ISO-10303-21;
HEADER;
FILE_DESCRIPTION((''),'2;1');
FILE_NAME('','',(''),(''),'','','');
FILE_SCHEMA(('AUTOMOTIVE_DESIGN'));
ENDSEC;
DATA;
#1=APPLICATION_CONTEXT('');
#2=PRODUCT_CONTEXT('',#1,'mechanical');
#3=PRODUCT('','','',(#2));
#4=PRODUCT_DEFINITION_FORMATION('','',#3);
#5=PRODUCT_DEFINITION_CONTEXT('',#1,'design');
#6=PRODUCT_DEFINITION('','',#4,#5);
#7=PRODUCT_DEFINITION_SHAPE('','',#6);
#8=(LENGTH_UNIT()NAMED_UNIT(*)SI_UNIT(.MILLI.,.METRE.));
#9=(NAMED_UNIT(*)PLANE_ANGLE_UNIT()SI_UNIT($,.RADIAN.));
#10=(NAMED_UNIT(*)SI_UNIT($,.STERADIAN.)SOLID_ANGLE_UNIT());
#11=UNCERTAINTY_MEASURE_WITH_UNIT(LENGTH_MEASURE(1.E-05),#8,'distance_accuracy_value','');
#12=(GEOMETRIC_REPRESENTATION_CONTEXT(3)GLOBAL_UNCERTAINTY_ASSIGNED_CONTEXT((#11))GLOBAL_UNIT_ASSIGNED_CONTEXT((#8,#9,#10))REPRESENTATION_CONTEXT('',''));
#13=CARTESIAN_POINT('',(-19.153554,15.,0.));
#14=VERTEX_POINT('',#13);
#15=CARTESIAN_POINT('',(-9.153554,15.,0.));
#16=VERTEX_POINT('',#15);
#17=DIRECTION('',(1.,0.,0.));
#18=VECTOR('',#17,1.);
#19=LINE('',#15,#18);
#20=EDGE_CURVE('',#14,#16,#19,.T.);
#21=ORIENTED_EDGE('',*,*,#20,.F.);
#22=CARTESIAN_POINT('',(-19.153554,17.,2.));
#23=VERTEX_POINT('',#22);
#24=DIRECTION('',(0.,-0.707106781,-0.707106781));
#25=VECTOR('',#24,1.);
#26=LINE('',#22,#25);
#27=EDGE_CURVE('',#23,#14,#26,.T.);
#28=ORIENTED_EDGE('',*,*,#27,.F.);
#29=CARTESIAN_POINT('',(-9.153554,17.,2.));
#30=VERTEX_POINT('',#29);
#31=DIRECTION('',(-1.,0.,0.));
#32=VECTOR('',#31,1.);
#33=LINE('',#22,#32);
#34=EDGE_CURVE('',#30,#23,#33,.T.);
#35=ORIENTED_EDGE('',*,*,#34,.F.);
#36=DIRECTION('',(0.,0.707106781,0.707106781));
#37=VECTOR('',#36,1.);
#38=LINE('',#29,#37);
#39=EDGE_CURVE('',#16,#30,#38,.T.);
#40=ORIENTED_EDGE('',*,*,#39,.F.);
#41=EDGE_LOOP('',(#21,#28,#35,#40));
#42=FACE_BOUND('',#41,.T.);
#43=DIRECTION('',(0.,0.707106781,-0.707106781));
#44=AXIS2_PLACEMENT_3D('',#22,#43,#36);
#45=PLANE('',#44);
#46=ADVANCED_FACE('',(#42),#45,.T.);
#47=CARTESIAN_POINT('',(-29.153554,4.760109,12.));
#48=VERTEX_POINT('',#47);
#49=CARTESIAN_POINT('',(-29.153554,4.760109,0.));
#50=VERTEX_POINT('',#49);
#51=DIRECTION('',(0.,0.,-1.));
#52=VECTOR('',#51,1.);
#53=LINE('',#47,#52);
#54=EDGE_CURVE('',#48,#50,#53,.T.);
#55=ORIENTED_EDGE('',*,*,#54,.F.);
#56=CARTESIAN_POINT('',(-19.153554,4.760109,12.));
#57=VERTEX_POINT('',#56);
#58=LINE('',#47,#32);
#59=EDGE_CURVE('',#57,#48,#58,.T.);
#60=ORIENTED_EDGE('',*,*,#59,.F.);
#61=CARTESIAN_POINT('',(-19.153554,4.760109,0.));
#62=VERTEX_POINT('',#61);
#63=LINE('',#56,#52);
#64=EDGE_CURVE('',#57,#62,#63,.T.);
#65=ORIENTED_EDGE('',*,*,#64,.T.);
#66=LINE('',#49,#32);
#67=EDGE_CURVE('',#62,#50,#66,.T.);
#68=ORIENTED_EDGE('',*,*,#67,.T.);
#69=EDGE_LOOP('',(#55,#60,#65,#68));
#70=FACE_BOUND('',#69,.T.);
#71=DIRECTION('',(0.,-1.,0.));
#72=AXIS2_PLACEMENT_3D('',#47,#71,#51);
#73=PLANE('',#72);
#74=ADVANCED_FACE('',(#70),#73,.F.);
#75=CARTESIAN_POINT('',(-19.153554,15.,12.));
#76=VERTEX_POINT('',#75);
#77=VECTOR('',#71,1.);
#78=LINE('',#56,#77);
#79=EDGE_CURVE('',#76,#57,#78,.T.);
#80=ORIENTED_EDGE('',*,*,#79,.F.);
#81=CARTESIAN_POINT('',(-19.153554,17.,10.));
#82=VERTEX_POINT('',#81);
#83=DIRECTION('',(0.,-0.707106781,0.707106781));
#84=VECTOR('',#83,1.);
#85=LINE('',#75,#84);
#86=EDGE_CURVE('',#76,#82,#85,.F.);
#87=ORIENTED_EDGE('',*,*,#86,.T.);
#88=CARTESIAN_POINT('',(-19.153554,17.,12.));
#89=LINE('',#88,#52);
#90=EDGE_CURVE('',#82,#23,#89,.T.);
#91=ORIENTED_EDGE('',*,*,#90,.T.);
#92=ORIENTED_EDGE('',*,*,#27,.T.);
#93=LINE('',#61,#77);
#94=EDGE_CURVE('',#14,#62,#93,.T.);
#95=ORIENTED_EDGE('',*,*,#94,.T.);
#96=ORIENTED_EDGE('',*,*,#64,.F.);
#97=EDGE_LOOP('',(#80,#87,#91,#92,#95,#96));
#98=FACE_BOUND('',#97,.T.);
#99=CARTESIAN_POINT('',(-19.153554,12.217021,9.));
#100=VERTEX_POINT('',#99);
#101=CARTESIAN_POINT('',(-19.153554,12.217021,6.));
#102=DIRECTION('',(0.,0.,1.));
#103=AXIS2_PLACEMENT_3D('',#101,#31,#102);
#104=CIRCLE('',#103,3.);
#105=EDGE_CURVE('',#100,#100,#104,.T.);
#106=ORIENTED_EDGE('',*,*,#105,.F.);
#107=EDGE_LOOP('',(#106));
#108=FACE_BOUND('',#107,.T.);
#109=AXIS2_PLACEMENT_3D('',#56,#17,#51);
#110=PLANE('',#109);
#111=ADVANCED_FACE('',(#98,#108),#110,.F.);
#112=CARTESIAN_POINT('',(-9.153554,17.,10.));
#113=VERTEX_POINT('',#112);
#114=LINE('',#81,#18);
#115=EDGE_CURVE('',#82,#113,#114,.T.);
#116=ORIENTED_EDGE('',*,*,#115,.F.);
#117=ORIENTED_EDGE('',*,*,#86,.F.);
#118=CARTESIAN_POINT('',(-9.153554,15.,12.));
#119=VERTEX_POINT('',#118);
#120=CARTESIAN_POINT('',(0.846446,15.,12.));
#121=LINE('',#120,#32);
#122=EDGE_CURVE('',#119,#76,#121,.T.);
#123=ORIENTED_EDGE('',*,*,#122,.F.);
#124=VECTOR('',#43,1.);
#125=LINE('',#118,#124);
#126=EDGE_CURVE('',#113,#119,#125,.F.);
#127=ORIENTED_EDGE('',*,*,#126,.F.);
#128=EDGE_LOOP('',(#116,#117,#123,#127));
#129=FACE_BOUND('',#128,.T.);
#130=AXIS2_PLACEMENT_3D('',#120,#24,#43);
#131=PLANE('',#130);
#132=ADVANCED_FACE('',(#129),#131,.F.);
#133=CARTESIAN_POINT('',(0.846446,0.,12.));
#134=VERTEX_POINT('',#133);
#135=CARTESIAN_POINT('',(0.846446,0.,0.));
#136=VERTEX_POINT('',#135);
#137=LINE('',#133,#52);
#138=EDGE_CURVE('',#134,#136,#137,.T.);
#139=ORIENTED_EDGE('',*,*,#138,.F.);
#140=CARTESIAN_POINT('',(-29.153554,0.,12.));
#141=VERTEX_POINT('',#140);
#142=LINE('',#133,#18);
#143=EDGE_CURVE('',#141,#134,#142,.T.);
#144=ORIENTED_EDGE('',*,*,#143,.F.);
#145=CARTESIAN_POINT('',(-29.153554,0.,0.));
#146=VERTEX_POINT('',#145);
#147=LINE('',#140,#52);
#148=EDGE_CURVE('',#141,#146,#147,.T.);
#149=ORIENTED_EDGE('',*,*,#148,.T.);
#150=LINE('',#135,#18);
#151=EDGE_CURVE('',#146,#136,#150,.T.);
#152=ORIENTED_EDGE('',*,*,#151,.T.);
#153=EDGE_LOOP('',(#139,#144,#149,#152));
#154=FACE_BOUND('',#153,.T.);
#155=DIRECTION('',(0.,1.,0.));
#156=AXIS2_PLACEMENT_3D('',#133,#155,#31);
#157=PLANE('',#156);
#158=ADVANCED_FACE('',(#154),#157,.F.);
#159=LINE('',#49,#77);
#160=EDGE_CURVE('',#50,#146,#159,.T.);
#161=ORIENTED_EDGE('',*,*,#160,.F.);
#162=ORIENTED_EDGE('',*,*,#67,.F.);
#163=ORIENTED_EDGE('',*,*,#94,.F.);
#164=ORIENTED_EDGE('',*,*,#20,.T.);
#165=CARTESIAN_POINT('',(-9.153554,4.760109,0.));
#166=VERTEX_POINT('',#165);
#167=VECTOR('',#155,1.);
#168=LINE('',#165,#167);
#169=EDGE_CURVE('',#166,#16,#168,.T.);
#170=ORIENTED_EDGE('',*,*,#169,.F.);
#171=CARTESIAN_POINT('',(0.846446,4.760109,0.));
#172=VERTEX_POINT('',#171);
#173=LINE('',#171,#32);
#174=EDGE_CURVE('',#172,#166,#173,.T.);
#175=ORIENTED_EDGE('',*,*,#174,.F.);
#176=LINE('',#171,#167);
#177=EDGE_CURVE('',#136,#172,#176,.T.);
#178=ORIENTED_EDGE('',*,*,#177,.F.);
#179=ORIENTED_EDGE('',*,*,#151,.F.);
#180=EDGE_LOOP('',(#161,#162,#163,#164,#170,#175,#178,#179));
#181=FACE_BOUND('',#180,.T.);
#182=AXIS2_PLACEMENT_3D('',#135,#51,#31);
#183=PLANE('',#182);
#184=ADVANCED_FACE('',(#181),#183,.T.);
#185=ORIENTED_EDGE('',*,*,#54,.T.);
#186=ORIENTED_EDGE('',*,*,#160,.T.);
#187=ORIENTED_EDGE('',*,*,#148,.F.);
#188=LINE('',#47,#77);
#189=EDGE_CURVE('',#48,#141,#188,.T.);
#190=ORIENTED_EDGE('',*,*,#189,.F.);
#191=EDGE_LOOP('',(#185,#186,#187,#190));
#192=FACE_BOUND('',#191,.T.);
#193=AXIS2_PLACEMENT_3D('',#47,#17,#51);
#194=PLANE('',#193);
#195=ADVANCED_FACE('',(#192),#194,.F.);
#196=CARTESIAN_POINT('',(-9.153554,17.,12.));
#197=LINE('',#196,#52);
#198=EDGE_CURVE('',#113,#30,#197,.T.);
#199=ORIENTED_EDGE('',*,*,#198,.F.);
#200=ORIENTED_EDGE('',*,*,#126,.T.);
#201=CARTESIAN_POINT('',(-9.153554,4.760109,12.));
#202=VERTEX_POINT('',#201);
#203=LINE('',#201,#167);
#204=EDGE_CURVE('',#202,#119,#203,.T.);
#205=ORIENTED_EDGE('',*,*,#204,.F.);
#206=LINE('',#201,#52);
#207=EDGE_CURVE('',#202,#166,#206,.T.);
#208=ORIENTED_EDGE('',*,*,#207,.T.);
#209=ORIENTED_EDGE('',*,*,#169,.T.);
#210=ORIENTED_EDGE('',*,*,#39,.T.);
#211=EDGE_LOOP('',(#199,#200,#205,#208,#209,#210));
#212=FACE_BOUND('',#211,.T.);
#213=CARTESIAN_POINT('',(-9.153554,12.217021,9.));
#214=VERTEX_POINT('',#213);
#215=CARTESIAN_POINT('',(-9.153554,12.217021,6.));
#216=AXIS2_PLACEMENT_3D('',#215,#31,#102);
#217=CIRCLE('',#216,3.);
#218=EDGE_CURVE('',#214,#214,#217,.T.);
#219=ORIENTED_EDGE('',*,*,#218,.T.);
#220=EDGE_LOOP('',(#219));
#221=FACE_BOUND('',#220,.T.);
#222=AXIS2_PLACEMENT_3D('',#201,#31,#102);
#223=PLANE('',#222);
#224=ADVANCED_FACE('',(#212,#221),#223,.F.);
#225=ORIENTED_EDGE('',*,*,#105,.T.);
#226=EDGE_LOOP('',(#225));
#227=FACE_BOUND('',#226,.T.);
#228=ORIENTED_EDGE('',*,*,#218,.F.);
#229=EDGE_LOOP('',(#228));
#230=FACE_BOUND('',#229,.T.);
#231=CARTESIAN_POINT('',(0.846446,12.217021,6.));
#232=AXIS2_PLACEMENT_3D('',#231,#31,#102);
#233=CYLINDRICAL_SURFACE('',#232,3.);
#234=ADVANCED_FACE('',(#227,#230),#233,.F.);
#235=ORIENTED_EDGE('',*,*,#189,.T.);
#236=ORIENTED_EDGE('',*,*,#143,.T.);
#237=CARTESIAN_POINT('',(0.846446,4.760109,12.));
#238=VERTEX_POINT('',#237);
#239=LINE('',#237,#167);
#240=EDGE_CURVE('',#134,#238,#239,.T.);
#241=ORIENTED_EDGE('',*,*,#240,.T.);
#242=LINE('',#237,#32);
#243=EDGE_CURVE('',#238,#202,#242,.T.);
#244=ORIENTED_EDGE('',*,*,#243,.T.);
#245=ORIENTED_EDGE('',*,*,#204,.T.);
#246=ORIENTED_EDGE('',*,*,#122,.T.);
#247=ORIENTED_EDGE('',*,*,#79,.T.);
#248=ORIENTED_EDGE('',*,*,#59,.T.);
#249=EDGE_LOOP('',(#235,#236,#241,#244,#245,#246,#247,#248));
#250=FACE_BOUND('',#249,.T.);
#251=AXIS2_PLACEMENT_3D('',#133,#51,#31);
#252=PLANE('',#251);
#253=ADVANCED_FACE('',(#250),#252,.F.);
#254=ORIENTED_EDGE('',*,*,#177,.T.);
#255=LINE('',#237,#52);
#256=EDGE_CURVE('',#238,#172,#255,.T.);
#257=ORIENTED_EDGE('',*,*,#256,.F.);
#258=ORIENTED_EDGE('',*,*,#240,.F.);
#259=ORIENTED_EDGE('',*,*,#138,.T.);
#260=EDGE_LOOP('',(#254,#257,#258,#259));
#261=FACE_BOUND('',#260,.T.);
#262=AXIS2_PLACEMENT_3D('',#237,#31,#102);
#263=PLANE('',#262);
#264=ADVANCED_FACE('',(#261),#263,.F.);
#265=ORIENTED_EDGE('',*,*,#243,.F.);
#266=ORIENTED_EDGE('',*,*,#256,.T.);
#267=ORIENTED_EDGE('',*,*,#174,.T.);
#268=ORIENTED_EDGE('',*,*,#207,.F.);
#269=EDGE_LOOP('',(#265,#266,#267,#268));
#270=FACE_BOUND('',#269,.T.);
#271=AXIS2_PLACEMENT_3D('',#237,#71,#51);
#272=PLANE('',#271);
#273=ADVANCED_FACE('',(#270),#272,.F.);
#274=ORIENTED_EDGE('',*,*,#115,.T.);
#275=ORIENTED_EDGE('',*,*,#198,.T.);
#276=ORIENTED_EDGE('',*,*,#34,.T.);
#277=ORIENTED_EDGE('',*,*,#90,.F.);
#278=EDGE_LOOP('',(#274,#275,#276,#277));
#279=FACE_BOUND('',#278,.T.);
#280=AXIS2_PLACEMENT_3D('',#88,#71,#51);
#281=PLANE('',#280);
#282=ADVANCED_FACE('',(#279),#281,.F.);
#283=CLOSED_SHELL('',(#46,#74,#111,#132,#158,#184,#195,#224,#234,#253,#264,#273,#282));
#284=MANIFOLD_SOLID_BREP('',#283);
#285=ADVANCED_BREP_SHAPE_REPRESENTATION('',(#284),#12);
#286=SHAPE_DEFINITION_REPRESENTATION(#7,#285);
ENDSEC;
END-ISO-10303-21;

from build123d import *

# Parameters (mm, degrees)
EXTRUDE_2_DEPTH     = 12
CHAMFER_1_SIZE      = 2
SKETCH_4_R          = 3
CUT_EXTRUDE_4_DEPTH = 29.861739379


with BuildPart() as part:
    # Эскиз2 → Вытянуть2 (new body)
    with BuildSketch(Plane.XY):
        Polygon((0.846446281, 0), (-29.153553719, 0), (-29.153553719, 4.760108812), (-19.153553719, 4.760108812), (-19.153553719, 17), (-9.153553719, 17), (-9.153553719, 4.760108812), (0.846446281, 4.760108812), align=None)
    extrude(amount=EXTRUDE_2_DEPTH)

    # Фаска1
    chamfer_1_edges = [part.edges().sort_by_distance(p)[0] for p in [
        (-14.153553719, 17, 12),
        (-14.153553719, 17, 0),
    ]]
    chamfer(chamfer_1_edges, length=CHAMFER_1_SIZE)

    # Эскиз4 → Вытянуть4 (cut, through all)
    with BuildSketch(Plane.ZY.offset(19.153553719)):
        with Locations((6, 12.217021039)):
            Circle(SKETCH_4_R)
    extrude(amount=-CUT_EXTRUDE_4_DEPTH, mode=Mode.SUBTRACT)


solid = part.part
